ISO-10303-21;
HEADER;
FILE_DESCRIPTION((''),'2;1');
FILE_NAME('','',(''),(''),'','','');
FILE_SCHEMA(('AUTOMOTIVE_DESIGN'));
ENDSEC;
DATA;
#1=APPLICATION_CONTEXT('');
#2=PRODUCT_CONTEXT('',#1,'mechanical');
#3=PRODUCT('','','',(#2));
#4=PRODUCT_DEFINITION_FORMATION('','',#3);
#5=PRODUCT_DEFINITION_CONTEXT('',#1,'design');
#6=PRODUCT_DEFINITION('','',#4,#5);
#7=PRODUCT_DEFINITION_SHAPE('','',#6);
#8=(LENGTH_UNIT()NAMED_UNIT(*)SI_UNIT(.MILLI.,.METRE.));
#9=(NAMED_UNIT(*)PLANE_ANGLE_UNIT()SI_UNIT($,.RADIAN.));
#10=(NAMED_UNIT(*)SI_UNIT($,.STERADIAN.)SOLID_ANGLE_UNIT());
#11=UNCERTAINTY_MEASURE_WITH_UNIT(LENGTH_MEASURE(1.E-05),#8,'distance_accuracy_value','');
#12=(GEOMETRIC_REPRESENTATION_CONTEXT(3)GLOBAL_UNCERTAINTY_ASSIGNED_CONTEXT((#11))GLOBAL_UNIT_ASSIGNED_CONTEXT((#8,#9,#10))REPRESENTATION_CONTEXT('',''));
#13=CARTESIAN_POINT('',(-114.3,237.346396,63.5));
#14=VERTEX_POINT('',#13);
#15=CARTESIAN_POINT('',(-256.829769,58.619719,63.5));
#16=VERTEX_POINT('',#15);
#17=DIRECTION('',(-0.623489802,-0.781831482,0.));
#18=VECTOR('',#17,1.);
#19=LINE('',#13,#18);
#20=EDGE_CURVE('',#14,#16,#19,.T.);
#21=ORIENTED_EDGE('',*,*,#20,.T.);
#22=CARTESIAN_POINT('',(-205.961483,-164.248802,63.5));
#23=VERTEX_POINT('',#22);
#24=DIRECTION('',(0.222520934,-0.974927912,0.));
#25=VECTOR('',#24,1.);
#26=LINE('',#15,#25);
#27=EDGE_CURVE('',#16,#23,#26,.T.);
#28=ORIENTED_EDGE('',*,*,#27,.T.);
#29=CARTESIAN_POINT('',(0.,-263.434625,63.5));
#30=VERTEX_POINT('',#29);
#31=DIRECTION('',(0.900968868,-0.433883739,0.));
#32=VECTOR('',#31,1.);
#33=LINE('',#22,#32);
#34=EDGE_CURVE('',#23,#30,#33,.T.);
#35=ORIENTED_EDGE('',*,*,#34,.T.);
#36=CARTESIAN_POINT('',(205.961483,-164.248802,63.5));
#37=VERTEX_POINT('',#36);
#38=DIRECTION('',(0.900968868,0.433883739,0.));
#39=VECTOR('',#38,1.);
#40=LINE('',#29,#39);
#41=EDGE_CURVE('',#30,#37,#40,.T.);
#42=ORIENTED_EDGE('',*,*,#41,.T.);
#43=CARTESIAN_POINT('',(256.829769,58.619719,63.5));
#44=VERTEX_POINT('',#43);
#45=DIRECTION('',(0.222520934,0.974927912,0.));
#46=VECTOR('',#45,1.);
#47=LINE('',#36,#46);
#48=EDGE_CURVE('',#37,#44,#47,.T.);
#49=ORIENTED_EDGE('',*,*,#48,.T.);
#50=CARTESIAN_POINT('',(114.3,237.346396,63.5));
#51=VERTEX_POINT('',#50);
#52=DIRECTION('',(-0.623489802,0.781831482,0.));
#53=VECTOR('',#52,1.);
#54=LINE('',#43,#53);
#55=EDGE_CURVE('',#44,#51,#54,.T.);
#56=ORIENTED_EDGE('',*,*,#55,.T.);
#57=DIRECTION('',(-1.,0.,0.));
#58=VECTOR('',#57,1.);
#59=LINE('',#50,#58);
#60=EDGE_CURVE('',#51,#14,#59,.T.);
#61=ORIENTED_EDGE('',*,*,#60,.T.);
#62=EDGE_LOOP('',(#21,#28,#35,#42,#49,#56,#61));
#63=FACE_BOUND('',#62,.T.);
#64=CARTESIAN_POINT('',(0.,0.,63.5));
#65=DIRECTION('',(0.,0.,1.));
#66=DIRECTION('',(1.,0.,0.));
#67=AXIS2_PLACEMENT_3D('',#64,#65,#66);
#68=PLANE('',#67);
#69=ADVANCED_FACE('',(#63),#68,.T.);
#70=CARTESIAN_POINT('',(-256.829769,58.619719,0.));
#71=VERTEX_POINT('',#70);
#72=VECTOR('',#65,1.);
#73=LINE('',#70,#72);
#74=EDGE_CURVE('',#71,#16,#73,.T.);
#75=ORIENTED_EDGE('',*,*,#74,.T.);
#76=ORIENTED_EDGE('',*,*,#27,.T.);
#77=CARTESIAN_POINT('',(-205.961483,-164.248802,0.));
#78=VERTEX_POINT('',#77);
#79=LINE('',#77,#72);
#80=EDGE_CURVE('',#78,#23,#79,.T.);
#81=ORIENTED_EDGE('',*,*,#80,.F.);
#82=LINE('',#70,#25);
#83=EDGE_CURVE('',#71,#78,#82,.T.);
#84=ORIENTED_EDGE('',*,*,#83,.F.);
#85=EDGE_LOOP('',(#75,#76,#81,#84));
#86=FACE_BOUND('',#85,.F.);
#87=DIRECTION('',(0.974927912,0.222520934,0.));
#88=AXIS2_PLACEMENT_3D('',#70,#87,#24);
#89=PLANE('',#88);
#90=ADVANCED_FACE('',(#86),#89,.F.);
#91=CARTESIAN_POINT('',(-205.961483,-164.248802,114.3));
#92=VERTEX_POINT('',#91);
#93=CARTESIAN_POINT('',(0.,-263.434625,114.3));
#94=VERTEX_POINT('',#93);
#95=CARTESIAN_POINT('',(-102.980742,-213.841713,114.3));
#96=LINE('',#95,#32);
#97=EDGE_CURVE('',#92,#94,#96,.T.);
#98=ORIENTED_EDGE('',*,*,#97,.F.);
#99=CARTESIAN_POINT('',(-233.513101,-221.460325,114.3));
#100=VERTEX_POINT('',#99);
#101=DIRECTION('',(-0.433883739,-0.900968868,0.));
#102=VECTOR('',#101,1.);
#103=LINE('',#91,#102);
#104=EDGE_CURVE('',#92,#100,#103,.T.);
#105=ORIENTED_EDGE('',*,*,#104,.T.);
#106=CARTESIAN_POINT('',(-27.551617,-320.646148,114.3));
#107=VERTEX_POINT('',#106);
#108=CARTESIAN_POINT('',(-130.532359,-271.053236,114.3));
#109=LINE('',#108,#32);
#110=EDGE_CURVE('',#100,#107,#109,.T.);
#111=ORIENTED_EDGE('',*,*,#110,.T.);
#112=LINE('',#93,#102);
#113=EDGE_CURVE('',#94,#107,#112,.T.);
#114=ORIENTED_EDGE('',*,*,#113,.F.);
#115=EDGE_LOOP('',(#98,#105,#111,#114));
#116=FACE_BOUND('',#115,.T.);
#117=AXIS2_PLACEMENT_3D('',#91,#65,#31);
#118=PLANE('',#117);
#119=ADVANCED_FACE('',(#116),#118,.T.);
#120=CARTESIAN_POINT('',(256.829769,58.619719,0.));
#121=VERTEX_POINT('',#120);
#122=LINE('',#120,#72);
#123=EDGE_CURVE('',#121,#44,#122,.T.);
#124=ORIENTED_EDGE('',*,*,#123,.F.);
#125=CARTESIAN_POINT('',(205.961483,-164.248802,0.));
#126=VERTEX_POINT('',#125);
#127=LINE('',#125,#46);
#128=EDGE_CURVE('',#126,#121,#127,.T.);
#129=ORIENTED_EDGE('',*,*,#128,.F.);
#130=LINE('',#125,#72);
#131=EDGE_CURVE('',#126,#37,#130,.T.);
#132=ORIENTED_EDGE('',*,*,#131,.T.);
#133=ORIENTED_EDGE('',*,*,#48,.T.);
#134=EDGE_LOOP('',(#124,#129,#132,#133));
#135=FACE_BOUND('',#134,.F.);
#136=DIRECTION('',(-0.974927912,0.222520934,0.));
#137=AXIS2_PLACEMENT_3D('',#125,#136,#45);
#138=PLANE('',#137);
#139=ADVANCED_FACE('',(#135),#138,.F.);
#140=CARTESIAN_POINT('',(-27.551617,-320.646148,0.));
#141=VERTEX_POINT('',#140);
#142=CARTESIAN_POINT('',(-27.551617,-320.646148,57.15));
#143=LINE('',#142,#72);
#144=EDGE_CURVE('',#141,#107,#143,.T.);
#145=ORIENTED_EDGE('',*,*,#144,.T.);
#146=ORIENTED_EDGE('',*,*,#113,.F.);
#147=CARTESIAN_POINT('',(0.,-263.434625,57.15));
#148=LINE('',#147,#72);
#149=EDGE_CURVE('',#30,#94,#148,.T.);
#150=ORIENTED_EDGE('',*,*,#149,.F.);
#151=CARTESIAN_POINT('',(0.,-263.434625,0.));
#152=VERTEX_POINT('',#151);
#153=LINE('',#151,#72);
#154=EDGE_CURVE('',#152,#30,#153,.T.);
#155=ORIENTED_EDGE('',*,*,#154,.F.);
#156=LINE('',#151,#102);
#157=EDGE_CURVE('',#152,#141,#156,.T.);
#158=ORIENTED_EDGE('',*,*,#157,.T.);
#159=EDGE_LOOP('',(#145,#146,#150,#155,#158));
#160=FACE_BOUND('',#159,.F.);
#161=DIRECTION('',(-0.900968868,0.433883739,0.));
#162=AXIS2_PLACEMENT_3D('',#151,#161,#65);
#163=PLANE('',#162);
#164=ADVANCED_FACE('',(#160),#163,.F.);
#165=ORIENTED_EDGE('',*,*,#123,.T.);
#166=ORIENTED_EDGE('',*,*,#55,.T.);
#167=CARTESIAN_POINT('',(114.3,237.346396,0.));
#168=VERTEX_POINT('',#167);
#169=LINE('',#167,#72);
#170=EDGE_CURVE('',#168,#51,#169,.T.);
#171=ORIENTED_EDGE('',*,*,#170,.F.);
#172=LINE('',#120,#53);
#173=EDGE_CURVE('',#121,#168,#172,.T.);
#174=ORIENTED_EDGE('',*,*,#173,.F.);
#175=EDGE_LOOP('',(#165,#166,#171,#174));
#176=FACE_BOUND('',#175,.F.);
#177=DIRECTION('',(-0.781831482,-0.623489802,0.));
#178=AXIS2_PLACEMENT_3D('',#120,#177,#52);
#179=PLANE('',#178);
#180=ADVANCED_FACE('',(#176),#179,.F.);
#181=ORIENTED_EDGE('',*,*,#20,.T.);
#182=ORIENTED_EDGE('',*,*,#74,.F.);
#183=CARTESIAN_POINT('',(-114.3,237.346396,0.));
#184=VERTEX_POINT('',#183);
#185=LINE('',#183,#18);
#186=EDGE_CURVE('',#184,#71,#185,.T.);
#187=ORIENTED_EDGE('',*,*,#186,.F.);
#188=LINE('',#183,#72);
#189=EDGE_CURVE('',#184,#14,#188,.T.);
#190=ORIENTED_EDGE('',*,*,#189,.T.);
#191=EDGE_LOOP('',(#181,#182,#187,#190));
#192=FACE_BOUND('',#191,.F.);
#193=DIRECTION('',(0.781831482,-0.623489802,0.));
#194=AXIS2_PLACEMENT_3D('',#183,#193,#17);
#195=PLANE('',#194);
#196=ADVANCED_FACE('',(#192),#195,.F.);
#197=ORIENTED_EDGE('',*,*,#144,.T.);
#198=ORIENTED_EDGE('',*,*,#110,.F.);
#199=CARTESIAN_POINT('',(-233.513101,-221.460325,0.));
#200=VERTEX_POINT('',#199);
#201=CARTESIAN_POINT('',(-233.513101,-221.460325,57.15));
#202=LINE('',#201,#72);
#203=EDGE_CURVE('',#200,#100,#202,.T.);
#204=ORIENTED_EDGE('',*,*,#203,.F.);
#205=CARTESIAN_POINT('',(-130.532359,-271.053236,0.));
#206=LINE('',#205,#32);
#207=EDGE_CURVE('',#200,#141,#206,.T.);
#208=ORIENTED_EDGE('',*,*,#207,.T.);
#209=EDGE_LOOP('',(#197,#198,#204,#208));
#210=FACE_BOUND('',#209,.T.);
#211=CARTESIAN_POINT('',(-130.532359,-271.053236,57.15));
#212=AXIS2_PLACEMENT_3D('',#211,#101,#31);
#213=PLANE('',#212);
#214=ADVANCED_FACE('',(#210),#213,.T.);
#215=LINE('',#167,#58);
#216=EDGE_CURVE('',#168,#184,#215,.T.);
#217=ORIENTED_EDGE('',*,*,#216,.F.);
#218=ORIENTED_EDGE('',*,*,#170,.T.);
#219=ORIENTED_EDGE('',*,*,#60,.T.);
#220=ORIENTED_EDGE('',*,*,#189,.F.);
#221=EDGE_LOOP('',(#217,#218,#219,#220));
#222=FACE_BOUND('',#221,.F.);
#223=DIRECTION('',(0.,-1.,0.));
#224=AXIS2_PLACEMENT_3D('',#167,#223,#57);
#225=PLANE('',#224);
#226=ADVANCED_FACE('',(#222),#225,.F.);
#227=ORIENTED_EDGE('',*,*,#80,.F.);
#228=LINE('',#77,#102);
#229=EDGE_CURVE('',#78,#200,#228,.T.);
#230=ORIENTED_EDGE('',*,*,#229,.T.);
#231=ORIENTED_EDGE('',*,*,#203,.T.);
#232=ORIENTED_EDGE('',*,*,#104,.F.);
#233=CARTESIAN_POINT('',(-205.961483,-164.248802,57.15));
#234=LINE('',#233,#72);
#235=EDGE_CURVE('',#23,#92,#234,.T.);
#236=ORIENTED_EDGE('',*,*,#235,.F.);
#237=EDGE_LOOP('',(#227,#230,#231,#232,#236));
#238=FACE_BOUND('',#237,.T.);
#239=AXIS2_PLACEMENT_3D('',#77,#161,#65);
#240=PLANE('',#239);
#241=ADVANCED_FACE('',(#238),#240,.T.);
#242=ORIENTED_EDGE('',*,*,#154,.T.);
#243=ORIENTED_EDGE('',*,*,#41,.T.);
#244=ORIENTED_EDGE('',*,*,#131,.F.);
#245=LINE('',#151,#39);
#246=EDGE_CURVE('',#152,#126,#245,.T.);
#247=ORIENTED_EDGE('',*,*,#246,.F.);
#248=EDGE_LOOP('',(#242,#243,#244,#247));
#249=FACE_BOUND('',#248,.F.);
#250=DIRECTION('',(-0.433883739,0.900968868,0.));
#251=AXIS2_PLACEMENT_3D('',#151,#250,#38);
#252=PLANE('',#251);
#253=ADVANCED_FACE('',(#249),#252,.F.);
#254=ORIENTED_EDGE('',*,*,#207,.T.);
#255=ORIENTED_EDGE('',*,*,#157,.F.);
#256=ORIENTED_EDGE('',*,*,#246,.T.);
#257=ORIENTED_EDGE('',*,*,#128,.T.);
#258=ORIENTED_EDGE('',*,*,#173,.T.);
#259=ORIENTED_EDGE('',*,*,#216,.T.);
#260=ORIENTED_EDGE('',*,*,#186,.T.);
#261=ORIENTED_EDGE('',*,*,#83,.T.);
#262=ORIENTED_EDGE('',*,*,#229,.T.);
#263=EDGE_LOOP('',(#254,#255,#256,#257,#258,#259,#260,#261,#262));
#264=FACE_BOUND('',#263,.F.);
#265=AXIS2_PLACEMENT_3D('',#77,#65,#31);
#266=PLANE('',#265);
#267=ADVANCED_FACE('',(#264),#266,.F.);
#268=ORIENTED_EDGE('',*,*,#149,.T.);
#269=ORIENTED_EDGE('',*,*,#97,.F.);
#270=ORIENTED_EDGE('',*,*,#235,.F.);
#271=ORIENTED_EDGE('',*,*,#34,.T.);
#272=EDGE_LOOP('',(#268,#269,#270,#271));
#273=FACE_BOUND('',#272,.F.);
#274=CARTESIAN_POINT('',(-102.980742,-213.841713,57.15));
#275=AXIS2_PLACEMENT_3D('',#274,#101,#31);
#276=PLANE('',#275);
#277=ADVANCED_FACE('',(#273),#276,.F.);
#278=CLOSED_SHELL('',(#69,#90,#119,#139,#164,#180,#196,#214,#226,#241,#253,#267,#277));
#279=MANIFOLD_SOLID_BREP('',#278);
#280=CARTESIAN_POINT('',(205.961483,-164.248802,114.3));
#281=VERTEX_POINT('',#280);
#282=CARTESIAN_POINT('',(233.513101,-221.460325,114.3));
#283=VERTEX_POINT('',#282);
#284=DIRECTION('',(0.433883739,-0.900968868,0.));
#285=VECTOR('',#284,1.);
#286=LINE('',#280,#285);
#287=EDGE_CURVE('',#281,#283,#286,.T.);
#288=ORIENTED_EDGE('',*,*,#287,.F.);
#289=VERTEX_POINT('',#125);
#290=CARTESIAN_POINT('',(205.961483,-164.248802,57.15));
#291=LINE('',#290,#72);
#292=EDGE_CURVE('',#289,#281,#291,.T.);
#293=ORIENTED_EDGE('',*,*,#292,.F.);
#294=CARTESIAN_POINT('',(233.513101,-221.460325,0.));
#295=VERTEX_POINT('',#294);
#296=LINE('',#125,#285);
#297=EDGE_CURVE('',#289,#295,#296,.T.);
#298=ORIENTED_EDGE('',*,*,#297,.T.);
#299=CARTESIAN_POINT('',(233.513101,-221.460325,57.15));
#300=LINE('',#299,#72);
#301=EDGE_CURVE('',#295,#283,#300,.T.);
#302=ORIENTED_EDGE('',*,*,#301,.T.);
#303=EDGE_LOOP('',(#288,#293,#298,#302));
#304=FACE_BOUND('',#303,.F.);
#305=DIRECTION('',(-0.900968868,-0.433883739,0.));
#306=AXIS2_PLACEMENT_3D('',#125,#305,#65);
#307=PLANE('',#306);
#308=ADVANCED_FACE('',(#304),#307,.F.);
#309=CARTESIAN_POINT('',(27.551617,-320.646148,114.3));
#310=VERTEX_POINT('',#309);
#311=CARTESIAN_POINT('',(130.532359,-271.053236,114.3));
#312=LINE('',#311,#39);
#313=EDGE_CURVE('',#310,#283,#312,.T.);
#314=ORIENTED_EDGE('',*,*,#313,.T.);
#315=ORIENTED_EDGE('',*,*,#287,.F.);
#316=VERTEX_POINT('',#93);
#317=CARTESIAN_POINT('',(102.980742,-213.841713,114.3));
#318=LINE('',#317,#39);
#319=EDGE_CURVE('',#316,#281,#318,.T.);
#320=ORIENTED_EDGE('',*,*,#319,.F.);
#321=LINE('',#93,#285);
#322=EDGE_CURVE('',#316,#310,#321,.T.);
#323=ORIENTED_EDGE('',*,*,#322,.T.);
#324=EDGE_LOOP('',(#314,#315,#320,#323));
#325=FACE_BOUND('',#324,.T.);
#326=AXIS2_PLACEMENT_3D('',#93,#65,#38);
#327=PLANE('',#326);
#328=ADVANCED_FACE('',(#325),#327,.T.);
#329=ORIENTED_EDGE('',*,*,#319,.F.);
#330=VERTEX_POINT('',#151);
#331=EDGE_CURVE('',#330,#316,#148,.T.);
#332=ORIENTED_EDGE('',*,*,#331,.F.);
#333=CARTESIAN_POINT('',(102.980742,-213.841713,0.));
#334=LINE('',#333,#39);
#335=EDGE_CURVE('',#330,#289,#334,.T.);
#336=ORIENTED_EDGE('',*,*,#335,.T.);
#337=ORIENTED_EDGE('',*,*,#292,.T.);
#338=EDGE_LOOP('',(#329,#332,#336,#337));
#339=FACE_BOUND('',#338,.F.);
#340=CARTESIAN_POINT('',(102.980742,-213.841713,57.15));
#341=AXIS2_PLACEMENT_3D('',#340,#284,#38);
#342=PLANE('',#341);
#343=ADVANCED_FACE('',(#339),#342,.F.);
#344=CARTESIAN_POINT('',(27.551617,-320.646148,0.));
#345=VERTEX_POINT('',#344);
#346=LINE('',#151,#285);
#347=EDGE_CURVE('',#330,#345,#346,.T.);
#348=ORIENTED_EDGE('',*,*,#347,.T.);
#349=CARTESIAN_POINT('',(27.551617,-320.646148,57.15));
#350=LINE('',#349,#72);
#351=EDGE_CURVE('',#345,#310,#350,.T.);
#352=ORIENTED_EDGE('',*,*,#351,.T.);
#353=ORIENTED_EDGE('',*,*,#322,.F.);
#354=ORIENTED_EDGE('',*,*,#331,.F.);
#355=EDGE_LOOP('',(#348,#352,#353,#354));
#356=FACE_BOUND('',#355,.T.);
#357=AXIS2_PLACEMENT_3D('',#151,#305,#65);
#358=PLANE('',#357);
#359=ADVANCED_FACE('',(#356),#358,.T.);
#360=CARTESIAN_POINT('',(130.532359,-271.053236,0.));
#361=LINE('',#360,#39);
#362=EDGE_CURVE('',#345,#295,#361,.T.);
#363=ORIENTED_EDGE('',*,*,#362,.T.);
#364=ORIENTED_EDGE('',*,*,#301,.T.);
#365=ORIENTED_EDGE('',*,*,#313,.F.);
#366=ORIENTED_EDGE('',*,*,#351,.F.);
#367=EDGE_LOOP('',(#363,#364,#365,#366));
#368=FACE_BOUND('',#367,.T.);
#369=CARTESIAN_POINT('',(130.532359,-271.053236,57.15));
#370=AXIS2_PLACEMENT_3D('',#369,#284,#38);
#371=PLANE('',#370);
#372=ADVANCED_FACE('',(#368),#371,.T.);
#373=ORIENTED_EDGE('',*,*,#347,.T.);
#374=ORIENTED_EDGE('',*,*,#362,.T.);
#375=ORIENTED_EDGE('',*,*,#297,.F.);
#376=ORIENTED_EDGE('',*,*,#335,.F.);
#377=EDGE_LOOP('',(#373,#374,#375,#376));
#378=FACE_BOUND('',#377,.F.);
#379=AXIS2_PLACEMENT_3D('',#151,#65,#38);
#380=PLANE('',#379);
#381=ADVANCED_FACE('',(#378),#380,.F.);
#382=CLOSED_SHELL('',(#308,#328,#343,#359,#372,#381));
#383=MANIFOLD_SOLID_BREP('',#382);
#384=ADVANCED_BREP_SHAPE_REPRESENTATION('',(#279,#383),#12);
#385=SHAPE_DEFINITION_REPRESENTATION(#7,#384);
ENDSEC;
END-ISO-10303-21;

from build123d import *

# Parameters (mm, degrees)
F1_DEPTH = 63.5
F2_W     = 228.6
F2_H     = 114.3
F3_DEPTH = 63.5
F4_W     = 228.6
F4_H     = 114.3
F5_DEPTH = 63.5


with BuildPart() as f1:
    # F0 (on Top) → F1 (new body)
    with BuildSketch(Plane.XY):
        Polygon((114.3, 237.3463956282), (-114.3, 237.3463956282), (-256.8297687049, 58.619718736), (-205.9614832025, -164.2488019887), (0, -263.434624751), (205.9614832025, -164.2488019887), (256.8297687049, 58.619718736), align=None)
    extrude(amount=F1_DEPTH)

    # F2 (on face) → F3 (join)
    with BuildSketch(Plane(origin=(-102.9807416012, -213.8417133699, 0), x_dir=(0.9009688679, -0.4338837391, 0), z_dir=(-0.4338837391, -0.9009688679, 0))):
        with Locations((0, 57.15)):
            Rectangle(F2_W, F2_H)
    extrude(amount=F3_DEPTH)


with BuildPart() as f5:
    # F4 (on face) → F5 (new body)
    with BuildSketch(Plane(origin=(102.9807416012, -213.8417133699, 0), x_dir=(0.9009688679, 0.4338837391, 0), z_dir=(0.4338837391, -0.9009688679, 0))):
        with Locations((0, 57.15)):
            Rectangle(F4_W, F4_H)
    extrude(amount=F5_DEPTH)


solid = Compound([f1.part, f5.part])
